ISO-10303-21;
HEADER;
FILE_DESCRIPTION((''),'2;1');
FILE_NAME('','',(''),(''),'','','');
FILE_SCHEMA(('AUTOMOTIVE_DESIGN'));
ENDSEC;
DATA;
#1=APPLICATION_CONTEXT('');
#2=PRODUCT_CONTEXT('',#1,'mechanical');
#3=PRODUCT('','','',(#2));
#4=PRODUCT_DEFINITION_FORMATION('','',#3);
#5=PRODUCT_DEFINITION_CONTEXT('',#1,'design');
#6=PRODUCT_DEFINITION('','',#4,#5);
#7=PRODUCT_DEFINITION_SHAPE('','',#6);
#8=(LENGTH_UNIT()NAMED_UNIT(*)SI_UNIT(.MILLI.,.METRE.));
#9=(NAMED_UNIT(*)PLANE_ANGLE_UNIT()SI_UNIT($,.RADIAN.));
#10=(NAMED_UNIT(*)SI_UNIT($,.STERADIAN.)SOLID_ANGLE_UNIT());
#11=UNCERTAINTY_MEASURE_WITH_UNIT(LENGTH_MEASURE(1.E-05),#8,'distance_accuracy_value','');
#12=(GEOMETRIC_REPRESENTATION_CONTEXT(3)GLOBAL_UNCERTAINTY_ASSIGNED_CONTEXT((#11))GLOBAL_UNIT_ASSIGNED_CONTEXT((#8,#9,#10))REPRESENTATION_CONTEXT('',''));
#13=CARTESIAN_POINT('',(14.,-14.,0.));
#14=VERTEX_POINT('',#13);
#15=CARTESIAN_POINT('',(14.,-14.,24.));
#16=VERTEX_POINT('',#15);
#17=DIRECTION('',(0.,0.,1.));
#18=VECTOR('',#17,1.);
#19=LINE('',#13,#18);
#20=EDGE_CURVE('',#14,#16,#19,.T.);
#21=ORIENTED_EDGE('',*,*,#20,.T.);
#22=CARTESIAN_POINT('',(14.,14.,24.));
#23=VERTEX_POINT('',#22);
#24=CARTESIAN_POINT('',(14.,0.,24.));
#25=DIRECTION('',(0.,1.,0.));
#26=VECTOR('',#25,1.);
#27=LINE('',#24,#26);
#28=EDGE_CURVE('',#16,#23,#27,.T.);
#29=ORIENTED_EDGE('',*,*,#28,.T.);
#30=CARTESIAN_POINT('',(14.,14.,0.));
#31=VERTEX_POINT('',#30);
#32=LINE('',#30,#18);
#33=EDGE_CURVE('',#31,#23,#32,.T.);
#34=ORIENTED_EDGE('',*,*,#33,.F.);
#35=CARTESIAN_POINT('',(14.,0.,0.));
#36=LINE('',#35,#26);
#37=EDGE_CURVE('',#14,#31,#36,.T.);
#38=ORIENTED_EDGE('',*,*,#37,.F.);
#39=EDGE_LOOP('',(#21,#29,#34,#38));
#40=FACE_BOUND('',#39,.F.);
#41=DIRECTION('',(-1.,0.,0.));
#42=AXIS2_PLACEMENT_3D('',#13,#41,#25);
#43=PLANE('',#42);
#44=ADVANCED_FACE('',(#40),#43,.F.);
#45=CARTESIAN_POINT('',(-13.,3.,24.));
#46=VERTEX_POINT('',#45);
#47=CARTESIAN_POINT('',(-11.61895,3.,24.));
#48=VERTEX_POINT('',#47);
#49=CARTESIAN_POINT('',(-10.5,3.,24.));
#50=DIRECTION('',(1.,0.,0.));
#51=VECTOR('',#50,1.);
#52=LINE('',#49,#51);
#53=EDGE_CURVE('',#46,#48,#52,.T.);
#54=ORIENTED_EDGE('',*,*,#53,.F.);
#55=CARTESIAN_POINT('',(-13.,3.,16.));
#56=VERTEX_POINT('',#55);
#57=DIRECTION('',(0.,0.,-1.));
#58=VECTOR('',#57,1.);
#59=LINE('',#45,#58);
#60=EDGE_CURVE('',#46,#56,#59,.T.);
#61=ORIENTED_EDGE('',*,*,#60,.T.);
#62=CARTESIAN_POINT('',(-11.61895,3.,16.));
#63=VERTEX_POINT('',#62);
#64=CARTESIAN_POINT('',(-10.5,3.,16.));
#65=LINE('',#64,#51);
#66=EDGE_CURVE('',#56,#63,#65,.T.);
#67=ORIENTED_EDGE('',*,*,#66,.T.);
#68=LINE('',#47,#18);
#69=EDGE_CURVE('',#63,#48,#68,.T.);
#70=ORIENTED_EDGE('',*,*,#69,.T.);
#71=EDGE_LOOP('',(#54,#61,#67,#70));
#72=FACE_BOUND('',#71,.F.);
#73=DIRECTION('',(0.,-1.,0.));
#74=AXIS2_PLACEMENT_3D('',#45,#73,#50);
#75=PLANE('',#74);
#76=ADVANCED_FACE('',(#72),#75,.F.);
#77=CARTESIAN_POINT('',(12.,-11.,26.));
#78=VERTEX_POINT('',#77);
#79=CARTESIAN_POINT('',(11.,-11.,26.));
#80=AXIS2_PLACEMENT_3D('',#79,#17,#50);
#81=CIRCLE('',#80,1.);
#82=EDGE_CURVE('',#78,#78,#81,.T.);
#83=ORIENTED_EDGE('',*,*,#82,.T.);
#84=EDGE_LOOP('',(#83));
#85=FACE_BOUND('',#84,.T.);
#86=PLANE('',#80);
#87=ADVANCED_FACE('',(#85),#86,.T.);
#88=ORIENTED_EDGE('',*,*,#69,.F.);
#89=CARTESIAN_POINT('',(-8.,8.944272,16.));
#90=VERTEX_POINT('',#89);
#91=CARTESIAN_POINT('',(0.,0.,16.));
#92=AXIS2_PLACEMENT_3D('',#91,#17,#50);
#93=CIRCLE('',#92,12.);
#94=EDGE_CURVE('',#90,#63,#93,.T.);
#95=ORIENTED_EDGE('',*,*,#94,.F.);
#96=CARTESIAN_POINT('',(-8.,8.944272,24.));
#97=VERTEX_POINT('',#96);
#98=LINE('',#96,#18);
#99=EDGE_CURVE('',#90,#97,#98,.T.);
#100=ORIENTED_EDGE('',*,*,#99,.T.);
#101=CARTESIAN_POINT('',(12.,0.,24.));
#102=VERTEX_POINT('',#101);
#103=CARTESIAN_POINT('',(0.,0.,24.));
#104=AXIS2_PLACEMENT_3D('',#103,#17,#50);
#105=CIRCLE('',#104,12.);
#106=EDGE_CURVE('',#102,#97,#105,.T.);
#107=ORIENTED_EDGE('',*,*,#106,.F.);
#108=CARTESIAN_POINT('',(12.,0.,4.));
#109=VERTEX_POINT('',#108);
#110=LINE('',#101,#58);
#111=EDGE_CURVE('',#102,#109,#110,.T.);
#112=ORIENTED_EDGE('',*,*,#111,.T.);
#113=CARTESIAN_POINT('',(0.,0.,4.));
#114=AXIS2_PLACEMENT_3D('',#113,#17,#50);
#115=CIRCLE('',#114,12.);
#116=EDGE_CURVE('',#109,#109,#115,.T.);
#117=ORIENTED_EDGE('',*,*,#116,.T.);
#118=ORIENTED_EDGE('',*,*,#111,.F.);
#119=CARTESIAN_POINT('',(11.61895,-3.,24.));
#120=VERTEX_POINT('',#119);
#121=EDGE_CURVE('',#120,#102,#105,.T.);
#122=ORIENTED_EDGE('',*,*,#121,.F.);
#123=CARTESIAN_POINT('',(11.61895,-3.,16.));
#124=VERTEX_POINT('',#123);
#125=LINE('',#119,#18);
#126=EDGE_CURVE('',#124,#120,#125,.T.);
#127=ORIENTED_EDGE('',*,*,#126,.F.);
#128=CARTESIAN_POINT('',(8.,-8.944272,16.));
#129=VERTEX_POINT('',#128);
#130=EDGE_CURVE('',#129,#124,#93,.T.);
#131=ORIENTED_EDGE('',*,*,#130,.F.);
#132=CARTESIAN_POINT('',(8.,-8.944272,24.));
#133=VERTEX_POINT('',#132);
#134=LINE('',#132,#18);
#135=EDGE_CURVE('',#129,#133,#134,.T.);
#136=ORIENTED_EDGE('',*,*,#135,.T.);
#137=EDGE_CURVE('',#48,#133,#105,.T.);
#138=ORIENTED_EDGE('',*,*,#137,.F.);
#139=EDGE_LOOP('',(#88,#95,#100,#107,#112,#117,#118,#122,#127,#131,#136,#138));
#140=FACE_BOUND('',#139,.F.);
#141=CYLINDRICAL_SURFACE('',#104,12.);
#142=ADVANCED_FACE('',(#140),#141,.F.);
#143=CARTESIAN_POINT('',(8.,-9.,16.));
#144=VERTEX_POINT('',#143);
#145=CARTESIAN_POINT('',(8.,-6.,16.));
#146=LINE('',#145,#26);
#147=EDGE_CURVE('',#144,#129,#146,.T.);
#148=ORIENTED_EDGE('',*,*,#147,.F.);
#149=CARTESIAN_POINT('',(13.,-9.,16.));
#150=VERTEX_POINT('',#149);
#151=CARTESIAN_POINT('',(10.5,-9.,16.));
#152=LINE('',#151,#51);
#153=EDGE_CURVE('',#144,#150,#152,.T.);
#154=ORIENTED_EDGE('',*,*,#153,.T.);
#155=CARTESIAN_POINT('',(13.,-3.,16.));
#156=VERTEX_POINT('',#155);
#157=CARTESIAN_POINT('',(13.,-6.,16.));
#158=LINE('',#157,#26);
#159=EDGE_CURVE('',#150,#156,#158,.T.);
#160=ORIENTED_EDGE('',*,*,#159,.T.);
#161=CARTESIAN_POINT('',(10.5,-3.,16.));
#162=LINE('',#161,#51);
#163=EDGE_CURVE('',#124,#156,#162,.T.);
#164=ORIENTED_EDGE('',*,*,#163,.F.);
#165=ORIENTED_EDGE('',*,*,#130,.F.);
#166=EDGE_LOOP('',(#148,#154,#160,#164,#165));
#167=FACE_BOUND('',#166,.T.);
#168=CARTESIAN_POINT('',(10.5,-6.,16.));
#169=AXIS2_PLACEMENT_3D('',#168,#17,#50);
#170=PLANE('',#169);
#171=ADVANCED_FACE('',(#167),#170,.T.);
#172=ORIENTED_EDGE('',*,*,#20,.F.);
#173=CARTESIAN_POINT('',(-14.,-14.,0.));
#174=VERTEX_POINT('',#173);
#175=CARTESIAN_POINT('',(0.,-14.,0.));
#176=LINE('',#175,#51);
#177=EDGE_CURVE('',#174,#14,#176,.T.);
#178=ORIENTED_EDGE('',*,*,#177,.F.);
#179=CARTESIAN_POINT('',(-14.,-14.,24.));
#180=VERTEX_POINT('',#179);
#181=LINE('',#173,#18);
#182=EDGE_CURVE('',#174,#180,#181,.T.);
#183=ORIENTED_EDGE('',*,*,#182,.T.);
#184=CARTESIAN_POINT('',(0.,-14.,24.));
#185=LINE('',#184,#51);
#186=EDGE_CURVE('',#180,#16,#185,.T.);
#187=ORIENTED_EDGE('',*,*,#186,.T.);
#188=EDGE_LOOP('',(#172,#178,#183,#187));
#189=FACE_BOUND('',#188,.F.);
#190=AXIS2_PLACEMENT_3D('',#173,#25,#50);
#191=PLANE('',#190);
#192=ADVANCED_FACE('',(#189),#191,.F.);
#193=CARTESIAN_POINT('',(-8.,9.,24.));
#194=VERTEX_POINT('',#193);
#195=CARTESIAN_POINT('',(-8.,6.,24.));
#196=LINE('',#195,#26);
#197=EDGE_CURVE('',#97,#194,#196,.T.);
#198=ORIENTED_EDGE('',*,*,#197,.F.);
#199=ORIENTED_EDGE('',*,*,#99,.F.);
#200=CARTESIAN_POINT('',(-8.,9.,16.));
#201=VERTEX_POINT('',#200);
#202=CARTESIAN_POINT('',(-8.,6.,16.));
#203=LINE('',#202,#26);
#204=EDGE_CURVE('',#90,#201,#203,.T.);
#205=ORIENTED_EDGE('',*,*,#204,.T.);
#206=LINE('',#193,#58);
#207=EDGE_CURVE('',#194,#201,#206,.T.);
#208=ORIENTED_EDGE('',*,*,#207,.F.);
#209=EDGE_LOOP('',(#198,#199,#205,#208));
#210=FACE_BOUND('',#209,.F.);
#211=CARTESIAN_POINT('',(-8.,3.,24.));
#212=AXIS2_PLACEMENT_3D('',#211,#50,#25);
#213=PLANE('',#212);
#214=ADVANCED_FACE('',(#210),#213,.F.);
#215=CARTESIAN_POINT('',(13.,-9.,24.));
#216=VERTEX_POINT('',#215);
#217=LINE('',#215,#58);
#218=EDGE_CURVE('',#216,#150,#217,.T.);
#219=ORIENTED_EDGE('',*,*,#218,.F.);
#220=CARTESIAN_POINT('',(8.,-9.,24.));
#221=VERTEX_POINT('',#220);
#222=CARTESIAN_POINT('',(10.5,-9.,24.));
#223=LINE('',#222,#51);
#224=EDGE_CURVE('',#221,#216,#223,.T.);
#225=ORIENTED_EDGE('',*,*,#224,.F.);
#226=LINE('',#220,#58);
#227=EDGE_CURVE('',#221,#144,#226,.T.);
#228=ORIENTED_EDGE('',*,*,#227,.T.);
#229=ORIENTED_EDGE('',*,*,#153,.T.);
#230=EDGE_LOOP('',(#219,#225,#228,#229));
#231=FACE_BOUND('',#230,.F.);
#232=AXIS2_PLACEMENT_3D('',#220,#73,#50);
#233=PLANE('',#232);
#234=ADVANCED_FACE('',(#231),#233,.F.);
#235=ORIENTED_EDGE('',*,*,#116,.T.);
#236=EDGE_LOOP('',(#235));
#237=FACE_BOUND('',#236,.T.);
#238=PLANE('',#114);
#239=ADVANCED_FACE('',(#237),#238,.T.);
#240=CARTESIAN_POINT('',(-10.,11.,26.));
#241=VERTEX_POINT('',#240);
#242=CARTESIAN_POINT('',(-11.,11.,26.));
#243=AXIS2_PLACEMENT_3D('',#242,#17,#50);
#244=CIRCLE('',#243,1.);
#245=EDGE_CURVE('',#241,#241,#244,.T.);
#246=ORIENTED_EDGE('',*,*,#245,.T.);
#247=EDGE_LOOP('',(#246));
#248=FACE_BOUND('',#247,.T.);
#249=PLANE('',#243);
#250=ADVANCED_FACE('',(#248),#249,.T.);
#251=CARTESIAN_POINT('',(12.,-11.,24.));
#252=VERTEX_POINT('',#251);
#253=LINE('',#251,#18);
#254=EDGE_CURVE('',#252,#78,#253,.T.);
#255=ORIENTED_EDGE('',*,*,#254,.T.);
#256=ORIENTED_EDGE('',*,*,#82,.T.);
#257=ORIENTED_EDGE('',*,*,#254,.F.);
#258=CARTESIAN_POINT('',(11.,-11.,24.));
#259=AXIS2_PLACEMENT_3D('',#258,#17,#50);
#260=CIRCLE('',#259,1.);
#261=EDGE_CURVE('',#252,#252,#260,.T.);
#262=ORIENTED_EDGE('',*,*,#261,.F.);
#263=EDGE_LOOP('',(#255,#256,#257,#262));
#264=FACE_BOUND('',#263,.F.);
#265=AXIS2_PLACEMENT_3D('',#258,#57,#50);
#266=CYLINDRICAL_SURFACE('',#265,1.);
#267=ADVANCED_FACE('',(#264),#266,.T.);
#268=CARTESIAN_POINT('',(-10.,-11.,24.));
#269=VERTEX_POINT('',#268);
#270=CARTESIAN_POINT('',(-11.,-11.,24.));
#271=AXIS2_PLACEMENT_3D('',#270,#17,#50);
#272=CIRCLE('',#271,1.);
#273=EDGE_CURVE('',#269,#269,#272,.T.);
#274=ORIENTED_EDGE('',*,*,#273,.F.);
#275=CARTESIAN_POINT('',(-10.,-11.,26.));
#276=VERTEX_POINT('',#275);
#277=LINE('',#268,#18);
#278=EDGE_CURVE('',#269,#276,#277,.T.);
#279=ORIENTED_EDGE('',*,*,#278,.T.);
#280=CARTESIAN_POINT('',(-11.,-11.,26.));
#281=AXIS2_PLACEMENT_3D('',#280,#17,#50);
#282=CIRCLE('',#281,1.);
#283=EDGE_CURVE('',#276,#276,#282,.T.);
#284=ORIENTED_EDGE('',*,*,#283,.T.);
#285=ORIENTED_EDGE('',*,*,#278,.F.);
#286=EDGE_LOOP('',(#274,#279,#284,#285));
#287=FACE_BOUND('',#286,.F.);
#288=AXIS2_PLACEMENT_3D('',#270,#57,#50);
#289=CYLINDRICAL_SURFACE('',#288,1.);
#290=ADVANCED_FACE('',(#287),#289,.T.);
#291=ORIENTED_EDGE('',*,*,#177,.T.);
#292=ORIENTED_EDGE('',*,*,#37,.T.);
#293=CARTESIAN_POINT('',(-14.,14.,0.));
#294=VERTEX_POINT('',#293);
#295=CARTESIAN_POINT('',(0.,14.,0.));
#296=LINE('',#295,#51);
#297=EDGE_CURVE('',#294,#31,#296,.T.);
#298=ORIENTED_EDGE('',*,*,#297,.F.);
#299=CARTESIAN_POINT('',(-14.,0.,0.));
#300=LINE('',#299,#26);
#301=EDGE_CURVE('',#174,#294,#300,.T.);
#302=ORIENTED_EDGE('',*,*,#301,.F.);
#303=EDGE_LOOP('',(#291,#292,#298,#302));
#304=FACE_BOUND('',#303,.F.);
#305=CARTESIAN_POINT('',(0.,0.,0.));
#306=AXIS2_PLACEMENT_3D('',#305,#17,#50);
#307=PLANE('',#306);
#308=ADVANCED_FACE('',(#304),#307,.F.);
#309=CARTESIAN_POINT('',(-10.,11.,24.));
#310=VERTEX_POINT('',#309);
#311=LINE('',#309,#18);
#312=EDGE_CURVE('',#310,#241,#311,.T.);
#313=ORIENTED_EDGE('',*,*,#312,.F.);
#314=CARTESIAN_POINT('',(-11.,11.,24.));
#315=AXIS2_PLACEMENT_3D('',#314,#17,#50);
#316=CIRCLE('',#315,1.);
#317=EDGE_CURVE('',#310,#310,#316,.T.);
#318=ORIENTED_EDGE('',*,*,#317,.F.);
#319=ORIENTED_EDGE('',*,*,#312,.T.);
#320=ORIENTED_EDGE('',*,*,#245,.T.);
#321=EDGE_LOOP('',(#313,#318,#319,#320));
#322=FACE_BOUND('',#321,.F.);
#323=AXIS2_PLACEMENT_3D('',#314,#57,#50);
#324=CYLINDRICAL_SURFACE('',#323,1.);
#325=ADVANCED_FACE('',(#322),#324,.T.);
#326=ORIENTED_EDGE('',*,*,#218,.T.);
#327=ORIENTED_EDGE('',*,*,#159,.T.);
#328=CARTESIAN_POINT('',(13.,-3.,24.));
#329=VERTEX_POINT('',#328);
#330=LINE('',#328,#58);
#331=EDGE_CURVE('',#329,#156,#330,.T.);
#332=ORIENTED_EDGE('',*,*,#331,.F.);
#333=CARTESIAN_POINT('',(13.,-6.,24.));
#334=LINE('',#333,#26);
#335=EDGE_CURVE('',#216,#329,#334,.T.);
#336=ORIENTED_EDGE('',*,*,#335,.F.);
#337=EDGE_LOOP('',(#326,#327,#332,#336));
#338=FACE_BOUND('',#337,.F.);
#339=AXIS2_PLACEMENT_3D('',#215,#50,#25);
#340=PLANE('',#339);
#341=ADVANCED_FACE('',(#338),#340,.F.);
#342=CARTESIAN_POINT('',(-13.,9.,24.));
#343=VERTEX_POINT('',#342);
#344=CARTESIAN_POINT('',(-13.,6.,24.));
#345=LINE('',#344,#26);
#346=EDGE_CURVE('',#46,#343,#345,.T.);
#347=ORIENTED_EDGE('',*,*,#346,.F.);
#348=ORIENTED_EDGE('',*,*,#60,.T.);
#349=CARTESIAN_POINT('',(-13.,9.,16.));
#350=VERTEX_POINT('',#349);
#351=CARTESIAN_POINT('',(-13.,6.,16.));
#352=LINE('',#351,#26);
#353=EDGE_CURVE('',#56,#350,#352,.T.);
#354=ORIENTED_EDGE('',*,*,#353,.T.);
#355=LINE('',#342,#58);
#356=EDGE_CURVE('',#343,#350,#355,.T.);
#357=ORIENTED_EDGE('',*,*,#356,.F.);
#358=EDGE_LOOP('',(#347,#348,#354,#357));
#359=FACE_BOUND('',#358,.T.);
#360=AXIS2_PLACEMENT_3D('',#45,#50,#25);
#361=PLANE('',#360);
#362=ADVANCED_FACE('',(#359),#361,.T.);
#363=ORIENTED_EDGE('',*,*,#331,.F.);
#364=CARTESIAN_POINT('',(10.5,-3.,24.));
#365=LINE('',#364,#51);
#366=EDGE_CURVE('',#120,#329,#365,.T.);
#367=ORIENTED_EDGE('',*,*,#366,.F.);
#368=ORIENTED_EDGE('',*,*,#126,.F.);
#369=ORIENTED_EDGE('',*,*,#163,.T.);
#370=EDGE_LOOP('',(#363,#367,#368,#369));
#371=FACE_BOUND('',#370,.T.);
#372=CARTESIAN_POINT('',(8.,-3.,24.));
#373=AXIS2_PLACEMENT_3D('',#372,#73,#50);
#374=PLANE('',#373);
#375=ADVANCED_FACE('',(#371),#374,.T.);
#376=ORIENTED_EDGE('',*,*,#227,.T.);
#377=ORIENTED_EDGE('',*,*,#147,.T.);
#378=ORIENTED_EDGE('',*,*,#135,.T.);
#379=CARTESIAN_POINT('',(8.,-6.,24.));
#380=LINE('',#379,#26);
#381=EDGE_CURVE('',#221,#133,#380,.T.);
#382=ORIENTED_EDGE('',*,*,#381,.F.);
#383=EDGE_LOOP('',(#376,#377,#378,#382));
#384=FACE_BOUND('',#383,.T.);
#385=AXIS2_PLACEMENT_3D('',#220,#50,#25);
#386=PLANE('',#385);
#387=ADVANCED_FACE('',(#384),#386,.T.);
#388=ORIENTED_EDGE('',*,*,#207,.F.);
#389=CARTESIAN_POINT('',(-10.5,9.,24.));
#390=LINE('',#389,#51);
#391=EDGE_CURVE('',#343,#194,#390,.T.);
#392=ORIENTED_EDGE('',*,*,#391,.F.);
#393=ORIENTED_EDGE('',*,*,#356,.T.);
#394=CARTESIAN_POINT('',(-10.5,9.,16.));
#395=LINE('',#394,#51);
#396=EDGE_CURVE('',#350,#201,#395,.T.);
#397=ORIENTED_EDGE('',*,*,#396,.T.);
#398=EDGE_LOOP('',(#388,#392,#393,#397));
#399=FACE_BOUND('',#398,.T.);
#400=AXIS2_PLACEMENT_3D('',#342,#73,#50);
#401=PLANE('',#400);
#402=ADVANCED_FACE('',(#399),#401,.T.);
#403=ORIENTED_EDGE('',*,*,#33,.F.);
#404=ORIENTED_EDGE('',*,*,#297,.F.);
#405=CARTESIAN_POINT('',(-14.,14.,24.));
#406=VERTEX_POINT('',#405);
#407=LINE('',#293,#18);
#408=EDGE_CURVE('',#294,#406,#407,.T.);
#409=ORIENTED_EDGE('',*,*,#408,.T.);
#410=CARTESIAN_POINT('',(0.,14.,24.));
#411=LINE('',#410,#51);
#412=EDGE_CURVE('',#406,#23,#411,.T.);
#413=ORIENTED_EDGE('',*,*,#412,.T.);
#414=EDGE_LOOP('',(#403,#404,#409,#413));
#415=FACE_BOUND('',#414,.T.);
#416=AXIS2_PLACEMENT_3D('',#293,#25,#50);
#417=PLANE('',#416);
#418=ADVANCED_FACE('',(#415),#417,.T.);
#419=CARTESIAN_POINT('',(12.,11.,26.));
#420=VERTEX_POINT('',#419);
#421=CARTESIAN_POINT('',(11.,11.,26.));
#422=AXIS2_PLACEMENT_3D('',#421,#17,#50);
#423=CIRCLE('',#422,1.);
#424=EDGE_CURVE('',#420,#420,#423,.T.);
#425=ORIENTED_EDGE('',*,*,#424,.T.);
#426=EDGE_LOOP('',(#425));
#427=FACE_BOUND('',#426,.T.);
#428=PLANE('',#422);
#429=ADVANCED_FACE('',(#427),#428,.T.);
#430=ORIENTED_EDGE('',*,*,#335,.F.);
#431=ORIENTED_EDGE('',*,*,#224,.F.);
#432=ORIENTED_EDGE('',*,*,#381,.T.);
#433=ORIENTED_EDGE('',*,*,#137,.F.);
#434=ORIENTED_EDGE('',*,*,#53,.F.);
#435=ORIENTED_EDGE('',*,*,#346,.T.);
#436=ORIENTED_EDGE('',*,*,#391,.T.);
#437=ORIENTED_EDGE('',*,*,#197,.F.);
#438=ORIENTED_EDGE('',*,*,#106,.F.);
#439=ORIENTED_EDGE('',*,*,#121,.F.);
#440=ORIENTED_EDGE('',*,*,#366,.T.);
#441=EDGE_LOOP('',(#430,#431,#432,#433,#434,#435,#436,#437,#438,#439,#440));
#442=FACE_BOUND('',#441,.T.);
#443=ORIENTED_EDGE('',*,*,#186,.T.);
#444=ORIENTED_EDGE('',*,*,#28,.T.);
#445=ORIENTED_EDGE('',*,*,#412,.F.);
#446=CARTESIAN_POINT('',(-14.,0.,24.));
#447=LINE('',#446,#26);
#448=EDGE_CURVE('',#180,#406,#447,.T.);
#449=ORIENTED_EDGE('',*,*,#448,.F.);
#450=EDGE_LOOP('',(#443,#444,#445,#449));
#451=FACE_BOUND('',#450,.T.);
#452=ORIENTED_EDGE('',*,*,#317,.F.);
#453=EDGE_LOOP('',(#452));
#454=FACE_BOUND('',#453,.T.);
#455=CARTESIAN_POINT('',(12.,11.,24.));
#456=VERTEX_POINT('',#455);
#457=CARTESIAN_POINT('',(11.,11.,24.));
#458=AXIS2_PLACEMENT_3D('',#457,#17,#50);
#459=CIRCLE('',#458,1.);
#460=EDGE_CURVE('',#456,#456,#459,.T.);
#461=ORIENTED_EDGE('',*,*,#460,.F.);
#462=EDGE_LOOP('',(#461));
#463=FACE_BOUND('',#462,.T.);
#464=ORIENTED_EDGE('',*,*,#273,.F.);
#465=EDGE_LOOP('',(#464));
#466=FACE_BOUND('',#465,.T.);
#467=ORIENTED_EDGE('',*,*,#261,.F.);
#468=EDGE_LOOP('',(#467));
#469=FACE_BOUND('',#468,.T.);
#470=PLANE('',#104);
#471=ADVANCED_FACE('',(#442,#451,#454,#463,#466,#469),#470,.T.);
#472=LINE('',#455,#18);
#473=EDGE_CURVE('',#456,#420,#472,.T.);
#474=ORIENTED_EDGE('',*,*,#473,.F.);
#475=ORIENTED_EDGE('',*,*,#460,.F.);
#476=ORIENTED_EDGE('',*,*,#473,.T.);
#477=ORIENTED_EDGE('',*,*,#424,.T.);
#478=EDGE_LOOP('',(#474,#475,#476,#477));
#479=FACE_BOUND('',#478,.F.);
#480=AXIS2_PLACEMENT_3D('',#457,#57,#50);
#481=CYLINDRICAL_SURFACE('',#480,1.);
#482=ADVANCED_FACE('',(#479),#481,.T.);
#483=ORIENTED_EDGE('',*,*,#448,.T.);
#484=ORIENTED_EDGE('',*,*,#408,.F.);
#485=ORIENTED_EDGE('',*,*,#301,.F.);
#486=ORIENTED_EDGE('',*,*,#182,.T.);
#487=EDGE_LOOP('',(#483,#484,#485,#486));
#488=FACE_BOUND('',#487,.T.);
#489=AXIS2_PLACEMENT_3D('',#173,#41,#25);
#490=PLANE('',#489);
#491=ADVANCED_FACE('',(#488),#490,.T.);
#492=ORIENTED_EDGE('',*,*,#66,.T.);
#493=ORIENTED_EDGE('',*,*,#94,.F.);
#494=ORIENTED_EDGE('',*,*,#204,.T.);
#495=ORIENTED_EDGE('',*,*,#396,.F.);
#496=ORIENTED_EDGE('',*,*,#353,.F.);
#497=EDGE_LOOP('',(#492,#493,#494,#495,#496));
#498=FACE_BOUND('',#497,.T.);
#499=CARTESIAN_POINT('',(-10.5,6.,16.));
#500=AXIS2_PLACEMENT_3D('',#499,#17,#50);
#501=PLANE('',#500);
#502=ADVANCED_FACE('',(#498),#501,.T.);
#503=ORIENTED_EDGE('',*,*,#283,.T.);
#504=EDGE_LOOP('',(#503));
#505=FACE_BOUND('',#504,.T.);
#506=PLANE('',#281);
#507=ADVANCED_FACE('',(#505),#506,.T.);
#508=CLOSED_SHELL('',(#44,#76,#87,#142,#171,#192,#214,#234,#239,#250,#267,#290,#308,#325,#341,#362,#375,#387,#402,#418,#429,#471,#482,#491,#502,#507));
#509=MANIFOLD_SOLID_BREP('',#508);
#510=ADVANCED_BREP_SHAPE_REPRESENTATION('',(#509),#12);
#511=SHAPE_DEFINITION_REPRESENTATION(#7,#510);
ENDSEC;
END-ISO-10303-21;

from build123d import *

# Parameters (mm, degrees)
F0_W     = 28
F0_H     = 28
F1_DEPTH = 24
F2_R     = 12
F3_DEPTH = 20
F4_R     = 1
F5_DEPTH = 2
F6_W     = 5
F6_H     = 6
F7_DEPTH = 8


with BuildPart() as f1:
    # F0 (on Top) → F1 (new body)
    with BuildSketch(Plane.XY):
        Rectangle(F0_W, F0_H)
    extrude(amount=F1_DEPTH)

    # F2 (on face) → F3 (cut)
    with BuildSketch(Plane.XY.offset(24)):
        Circle(F2_R)
    extrude(amount=-F3_DEPTH, mode=Mode.SUBTRACT)

    # F4 (on face) → F5 (join)
    with BuildSketch(Plane.XY.offset(24)):
        with Locations((-11, 11)):
            Circle(F4_R)
        with Locations((11, 11)):
            Circle(F4_R)
        with Locations((11, -11)):
            Circle(F4_R)
        with Locations((-11, -11)):
            Circle(F4_R)
    extrude(amount=F5_DEPTH)

    # F6 (on face) → F7 (cut)
    with BuildSketch(Plane.XY.offset(24)):
        with Locations((-10.5, 6)):
            Rectangle(F6_W, F6_H)
        with Locations((10.5, -6)):
            Rectangle(F6_W, F6_H)
    extrude(amount=-F7_DEPTH, mode=Mode.SUBTRACT)


solid = f1.part
